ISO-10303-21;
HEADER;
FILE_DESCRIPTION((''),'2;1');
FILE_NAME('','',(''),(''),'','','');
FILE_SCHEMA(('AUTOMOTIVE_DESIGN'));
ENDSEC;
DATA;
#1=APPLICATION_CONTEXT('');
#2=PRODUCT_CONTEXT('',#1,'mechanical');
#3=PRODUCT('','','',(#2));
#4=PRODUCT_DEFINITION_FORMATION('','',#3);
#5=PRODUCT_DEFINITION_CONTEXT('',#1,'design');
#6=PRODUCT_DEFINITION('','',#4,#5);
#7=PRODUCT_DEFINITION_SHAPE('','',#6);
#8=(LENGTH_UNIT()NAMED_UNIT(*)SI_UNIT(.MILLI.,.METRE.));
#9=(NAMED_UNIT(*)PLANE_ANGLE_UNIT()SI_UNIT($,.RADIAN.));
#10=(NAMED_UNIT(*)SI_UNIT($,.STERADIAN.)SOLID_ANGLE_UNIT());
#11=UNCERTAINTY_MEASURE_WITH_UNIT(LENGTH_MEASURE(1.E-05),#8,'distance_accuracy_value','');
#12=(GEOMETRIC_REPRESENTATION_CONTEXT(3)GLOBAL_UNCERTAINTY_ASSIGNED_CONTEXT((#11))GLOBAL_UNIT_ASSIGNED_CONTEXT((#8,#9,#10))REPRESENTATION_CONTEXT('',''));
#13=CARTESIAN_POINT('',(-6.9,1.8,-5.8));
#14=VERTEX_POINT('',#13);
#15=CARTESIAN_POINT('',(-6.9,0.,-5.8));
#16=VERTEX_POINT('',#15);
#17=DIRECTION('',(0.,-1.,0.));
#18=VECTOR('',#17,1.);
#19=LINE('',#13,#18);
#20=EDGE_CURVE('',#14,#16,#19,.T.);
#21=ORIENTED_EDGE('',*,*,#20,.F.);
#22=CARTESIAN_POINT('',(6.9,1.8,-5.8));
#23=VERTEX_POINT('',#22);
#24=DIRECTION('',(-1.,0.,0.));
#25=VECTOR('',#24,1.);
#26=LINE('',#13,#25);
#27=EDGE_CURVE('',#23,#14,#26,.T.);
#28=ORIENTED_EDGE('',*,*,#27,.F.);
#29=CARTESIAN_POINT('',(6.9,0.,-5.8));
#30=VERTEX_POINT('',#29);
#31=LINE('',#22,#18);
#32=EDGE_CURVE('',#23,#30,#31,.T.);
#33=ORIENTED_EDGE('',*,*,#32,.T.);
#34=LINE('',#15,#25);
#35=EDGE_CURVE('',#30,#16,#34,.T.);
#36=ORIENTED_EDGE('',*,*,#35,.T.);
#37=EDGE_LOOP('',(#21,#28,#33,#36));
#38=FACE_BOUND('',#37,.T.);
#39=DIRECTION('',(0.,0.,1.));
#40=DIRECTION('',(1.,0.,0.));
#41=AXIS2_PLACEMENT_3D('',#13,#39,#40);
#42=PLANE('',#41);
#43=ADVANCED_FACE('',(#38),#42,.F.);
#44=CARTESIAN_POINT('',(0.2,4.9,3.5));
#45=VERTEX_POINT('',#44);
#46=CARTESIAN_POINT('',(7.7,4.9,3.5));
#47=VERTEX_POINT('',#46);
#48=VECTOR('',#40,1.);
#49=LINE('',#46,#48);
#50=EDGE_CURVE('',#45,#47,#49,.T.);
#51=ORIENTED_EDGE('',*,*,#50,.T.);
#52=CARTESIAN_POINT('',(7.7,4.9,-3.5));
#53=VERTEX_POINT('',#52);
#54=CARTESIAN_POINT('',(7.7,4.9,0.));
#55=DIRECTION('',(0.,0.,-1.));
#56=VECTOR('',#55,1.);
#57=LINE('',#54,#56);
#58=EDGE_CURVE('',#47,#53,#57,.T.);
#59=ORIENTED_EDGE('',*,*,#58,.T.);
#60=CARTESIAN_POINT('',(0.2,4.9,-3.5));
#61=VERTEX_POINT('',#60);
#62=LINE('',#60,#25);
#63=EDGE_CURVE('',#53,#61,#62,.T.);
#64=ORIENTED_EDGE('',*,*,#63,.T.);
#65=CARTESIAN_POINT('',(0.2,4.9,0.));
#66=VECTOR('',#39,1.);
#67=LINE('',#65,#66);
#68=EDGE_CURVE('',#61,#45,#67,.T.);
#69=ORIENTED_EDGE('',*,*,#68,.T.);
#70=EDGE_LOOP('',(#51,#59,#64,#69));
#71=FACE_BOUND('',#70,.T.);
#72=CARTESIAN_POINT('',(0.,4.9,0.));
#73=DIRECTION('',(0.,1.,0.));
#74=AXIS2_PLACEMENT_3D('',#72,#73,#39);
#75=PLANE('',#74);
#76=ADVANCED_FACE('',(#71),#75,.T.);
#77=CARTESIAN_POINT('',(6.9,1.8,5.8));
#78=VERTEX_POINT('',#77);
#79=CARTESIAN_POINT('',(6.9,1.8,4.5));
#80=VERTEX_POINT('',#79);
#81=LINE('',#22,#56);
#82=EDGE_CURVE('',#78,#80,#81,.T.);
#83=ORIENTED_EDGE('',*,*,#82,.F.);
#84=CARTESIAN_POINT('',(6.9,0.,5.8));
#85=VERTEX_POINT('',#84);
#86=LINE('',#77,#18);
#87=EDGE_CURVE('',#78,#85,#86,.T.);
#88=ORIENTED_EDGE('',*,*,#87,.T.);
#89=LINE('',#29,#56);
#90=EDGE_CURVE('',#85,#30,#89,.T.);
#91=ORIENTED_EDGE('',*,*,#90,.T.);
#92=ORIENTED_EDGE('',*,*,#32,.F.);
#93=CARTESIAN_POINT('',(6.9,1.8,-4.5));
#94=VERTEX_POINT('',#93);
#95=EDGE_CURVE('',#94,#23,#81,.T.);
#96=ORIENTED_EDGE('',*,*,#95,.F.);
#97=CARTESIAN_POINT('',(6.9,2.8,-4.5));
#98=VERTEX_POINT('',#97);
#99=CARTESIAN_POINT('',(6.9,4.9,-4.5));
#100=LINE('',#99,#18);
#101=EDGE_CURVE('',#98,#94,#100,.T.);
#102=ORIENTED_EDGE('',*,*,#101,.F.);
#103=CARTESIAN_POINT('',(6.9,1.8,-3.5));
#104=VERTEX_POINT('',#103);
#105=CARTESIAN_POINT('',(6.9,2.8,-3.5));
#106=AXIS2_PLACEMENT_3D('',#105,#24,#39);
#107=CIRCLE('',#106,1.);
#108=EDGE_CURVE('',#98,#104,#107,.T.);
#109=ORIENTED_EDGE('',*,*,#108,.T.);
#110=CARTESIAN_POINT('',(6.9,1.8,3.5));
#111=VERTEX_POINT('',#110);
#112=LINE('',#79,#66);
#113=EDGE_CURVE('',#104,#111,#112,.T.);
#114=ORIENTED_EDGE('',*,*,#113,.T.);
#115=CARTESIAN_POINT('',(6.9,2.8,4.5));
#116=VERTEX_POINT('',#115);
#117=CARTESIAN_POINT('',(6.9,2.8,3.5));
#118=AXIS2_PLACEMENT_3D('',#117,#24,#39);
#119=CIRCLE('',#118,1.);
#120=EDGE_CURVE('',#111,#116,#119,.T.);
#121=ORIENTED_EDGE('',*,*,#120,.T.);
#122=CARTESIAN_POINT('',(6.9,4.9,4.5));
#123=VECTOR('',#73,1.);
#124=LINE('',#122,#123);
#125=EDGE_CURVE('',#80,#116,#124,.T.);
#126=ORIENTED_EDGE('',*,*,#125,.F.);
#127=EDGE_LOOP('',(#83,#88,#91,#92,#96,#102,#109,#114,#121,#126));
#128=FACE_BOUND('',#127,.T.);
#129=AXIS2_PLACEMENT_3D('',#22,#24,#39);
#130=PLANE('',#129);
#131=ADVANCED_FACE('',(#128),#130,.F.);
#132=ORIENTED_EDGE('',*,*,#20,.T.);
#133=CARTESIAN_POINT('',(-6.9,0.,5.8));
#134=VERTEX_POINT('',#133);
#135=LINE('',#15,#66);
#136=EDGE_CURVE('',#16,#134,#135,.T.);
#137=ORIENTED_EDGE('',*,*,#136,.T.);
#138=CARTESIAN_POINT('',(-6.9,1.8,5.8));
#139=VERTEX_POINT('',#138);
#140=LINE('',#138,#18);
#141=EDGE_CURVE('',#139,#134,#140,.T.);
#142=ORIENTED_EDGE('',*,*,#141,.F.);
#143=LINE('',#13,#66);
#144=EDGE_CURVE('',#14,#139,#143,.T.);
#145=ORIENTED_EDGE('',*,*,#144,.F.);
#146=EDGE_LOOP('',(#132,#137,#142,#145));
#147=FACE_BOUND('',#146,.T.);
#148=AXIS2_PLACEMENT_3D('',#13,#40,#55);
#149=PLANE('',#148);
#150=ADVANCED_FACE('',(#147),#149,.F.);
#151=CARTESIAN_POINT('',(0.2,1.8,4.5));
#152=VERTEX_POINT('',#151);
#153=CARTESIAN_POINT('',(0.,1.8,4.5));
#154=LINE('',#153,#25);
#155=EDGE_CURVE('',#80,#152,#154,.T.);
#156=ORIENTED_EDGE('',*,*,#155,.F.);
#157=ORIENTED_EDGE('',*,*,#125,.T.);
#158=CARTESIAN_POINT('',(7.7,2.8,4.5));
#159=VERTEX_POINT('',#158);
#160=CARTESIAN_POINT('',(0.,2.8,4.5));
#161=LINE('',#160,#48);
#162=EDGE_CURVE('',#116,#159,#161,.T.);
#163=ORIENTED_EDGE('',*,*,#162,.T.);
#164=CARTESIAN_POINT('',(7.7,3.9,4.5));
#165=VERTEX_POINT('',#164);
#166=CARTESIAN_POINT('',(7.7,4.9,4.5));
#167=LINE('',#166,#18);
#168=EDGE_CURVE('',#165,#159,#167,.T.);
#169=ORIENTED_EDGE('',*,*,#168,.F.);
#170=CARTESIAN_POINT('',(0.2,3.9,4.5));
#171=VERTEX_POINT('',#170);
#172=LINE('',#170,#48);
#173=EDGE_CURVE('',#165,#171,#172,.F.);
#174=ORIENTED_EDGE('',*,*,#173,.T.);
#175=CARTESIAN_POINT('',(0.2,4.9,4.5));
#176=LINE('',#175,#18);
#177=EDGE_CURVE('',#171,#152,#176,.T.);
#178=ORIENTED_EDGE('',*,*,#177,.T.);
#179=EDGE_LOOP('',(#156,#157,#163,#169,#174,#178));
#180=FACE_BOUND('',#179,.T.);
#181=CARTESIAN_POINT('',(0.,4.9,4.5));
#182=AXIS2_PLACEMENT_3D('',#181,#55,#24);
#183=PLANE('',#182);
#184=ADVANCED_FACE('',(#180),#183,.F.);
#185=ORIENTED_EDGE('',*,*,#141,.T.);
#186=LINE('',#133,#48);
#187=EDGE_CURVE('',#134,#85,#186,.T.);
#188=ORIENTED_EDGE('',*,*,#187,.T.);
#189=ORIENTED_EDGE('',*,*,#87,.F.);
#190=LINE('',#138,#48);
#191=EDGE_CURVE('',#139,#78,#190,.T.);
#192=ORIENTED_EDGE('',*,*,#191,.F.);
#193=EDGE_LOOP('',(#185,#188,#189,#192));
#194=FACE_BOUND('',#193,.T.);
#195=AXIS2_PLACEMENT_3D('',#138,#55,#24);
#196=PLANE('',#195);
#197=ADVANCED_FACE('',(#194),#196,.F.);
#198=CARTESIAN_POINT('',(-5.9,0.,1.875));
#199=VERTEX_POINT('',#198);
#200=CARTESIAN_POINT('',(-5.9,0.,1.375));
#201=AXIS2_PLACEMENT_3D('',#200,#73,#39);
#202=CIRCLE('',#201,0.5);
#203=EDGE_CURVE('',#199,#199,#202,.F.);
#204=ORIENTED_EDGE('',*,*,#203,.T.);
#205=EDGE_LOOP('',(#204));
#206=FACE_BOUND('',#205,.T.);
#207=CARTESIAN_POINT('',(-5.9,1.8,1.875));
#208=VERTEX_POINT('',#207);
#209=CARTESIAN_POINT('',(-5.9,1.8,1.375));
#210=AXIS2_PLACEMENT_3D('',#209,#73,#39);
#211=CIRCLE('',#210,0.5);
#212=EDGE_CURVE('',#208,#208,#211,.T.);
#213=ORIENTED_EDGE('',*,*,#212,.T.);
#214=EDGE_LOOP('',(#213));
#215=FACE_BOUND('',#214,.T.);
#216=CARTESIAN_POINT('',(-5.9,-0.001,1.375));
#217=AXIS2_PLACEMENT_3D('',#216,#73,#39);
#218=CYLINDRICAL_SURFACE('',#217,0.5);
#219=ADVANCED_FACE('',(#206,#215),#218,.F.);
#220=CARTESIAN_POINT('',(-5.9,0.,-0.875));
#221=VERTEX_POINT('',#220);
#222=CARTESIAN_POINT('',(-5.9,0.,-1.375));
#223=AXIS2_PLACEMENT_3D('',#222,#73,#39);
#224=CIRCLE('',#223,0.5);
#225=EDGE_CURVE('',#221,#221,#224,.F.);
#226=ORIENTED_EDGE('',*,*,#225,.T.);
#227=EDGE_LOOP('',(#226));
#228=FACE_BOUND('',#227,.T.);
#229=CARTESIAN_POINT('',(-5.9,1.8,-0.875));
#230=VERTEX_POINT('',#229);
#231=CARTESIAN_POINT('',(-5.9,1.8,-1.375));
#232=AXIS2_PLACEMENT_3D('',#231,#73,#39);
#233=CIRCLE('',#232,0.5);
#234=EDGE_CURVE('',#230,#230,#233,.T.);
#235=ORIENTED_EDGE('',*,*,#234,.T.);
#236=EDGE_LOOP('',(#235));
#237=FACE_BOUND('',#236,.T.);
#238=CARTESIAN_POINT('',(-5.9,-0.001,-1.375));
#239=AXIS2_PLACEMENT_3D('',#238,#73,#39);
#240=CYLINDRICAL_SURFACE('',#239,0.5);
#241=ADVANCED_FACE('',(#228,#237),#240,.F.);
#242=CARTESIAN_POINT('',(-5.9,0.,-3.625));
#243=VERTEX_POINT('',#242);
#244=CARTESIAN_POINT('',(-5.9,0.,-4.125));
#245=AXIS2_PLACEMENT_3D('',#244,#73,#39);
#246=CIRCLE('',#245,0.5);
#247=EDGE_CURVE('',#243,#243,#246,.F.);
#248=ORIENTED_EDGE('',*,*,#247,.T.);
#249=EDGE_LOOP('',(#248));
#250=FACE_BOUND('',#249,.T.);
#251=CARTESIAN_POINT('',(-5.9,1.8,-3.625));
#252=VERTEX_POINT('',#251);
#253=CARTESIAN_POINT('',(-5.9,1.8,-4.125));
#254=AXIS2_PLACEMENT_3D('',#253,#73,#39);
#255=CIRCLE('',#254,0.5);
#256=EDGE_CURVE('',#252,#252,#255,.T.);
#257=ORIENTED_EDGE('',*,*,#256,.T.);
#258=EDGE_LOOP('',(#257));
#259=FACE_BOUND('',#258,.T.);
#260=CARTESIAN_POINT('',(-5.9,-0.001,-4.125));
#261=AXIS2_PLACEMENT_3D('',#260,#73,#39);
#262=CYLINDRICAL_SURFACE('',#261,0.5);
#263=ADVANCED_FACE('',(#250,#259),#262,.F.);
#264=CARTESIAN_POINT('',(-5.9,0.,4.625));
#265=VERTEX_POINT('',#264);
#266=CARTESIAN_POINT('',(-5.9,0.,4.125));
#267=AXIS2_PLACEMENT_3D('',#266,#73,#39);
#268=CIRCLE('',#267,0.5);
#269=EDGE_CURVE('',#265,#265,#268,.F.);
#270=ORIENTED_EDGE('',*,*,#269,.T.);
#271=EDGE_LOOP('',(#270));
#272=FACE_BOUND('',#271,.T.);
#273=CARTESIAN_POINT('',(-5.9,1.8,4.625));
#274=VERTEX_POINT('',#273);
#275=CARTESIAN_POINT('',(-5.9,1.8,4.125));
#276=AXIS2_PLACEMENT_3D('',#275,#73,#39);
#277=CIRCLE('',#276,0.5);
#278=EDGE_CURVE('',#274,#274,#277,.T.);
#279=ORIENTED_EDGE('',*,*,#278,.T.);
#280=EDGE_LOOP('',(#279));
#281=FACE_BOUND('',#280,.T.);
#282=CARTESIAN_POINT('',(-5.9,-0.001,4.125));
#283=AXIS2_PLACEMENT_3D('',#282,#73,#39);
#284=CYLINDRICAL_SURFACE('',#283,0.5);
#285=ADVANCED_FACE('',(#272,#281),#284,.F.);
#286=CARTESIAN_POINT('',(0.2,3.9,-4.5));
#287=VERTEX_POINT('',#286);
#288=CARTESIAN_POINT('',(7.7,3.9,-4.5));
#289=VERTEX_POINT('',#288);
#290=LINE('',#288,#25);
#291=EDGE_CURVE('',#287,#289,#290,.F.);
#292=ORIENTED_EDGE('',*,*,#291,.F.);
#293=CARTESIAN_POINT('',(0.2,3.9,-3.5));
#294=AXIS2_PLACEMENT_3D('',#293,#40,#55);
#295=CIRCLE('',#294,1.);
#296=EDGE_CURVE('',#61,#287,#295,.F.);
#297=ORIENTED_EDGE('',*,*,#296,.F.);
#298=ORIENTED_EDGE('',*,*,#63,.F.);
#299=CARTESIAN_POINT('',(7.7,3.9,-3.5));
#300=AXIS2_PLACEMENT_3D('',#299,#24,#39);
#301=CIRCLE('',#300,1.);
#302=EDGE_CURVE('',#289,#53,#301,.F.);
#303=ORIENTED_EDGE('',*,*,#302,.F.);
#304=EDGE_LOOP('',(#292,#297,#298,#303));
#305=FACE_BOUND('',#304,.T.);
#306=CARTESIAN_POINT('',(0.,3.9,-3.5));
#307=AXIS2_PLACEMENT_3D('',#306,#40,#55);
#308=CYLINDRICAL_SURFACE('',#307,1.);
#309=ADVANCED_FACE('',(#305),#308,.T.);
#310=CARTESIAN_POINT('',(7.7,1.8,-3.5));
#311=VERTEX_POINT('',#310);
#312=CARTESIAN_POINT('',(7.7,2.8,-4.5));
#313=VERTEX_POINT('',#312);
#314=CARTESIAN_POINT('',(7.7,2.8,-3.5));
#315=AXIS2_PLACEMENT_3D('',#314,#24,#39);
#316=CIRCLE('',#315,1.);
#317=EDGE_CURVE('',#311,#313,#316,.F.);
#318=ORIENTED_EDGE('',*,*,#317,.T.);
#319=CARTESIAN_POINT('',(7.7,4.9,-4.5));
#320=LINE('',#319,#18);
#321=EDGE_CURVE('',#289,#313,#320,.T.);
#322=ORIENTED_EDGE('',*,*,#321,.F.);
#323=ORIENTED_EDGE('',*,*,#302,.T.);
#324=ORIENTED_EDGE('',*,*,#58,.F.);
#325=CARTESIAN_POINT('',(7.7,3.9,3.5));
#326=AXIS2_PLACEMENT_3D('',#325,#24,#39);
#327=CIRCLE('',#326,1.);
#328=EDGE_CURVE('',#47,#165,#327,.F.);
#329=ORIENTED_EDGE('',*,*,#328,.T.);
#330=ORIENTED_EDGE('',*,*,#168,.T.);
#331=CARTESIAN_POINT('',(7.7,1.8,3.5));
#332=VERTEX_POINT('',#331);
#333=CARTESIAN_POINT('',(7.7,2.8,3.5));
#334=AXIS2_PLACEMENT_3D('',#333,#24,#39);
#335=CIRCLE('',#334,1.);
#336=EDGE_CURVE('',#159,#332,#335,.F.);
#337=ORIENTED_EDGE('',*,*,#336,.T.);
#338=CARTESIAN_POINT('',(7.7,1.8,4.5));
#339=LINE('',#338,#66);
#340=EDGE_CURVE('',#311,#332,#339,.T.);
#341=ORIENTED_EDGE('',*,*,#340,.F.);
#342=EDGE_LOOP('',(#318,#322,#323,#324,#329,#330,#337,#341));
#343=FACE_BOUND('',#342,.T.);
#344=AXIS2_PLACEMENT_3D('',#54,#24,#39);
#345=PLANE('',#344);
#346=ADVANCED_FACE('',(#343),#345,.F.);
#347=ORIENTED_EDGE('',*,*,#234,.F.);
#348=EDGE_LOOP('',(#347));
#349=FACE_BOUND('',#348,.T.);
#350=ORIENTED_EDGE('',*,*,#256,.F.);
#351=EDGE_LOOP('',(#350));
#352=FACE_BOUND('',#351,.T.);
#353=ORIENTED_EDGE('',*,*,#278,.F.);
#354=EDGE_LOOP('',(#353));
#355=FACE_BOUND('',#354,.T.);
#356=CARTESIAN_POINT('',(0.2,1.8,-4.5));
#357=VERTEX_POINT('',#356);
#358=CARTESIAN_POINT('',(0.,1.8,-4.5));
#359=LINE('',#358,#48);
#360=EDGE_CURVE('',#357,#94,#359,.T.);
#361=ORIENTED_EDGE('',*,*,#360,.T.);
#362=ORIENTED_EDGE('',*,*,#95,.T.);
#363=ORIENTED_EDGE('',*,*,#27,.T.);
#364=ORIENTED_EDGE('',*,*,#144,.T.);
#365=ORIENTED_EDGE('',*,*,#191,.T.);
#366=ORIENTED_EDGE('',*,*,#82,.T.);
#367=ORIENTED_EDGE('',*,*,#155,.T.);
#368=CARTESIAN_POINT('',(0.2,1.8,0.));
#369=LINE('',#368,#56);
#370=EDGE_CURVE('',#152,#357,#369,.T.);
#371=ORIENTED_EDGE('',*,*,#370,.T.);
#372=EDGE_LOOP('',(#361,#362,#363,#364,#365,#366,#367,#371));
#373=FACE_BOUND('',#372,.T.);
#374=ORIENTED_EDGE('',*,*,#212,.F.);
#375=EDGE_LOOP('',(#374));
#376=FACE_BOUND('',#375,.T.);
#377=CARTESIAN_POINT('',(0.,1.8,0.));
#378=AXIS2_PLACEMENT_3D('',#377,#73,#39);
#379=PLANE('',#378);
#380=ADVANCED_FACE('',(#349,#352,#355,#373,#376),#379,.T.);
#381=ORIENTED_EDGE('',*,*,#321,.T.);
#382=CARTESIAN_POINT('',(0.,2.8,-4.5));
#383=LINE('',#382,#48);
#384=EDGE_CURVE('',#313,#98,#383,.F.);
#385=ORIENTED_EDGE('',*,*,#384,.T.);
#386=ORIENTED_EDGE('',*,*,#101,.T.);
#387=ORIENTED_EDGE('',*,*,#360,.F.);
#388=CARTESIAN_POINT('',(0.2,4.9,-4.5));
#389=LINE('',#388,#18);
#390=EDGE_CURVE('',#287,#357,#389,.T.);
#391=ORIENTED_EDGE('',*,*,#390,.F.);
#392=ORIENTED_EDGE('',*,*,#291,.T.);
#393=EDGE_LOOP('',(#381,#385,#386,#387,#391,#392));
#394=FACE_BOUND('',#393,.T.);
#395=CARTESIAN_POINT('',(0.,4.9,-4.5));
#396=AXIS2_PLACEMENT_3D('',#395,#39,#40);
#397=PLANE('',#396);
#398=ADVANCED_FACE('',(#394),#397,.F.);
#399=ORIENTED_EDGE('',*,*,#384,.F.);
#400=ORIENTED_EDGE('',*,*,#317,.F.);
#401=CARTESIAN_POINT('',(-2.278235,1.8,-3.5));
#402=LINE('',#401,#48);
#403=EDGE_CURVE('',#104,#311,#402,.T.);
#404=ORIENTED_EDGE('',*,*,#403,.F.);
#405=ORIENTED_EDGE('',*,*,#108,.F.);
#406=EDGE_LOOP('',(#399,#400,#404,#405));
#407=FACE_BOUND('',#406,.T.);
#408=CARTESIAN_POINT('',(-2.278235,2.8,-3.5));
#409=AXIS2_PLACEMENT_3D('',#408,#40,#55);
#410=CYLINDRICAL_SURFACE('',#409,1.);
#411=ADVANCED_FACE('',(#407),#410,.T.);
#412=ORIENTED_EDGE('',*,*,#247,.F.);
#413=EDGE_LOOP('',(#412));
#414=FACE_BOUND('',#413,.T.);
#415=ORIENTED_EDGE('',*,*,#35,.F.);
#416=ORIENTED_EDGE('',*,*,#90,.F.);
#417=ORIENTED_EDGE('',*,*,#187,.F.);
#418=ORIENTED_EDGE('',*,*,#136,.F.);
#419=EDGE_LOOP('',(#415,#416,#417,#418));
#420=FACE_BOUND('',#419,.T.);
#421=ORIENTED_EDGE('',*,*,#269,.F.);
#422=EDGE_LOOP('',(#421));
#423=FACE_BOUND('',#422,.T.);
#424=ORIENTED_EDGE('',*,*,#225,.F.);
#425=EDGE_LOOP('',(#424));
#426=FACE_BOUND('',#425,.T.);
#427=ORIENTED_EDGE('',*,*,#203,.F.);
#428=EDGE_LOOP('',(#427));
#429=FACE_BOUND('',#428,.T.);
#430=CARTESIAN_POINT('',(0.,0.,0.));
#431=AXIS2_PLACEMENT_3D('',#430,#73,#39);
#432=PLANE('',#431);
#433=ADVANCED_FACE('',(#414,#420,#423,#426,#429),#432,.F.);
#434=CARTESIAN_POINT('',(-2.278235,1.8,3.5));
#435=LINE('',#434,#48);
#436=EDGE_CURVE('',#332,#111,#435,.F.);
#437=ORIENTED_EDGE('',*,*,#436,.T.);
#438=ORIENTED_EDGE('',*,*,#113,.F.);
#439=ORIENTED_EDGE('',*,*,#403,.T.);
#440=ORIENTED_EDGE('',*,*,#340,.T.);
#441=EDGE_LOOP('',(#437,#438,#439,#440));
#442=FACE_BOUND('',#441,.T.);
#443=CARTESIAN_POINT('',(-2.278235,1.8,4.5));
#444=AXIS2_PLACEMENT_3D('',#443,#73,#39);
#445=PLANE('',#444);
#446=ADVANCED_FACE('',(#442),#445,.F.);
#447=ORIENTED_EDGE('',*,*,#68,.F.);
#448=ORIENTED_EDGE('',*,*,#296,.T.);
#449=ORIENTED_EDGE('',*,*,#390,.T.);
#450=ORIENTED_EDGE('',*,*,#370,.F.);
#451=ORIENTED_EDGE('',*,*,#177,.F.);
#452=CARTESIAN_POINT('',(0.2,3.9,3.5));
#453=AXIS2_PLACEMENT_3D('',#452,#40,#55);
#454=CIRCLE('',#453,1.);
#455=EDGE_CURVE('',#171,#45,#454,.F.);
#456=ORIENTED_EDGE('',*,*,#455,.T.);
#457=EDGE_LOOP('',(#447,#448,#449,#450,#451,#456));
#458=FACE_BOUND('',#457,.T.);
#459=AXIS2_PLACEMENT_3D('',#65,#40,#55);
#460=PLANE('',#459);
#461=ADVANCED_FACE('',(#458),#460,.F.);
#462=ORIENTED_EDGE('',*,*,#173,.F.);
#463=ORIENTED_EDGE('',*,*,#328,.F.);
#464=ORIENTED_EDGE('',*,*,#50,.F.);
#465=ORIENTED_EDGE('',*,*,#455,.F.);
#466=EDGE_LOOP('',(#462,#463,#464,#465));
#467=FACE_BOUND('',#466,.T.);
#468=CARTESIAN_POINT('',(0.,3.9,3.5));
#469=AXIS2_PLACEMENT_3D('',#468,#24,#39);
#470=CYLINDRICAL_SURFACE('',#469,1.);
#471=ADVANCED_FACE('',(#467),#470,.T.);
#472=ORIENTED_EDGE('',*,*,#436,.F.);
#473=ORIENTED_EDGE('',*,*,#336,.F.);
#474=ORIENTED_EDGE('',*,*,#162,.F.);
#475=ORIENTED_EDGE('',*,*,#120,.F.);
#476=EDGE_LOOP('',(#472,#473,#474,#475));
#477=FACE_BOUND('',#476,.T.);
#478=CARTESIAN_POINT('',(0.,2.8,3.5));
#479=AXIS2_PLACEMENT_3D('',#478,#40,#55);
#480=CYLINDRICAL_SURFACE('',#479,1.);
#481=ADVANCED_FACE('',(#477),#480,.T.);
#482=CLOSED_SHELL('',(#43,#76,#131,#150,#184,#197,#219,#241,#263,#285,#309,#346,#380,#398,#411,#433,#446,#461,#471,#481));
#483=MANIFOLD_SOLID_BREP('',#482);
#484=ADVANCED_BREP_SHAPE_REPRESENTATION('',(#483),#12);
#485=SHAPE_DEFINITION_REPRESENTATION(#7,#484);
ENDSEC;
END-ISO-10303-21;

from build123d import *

# Parameters (mm, degrees)
SKETCH_1_W          = 13.8
SKETCH_1_H          = 11.6
EXTRUDE_1_DEPTH     = 1.8
EXTRUDE_START       = -1.8
SKETCH_4_W          = 7.5
SKETCH_4_H          = 9
EXTRUDE_2_DEPTH     = 4.9
SKETCH_5_W          = 9
SKETCH_5_H          = 1.8
CUT_EXTRUDE_1_DEPTH = 0.8
FILLET_1_R          = 1
CUT_EXTRUDE_2_REACH = 12.126
SKETCH_6_R          = 0.5


with BuildPart() as part:
    # 草图1 → 凸台-拉伸1 (new body)
    with BuildSketch(Plane(origin=(0, 0, 0), x_dir=(1, 0, 0), z_dir=(0, 1, 0))):
        Rectangle(SKETCH_1_W, SKETCH_1_H)
    extrude(amount=EXTRUDE_1_DEPTH)

    # 草图4 → 凸台-拉伸2 (add)
    with BuildSketch(Plane(origin=(0, 1.8, 0), x_dir=(1, 0, 0), z_dir=(0, 1, 0)).offset(EXTRUDE_START)):
        with Locations((3.95, 0)):
            Rectangle(SKETCH_4_W, SKETCH_4_H)
    extrude(amount=EXTRUDE_2_DEPTH)

    # 草图5 → 切除-拉伸1 (cut)
    with BuildSketch(Plane(origin=(7.7, 0, 0), x_dir=(0, 0, -1), z_dir=(1, 0, 0))):
        with Locations((0, 0.9)):
            Rectangle(SKETCH_5_W, SKETCH_5_H)
    extrude(amount=-CUT_EXTRUDE_1_DEPTH, mode=Mode.SUBTRACT)

    # 圆角1
    fillet_1_edges = [part.edges().sort_by_distance(p)[0] for p in [
        (3.95, 4.9, 4.5),
        (3.95, 4.9, -4.5),
        (7.3, 1.8, -4.5),
        (7.3, 1.8, 4.5),
    ]]
    fillet(fillet_1_edges, radius=FILLET_1_R)

    # 草图6 → 切除-拉伸2 (cut, up to next)
    with BuildSketch(Plane(origin=(0, 1.8, 0), x_dir=(1, 0, 0), z_dir=(0, 1, 0)), mode=Mode.PRIVATE) as cut_extrude_2_sk1:
        with Locations(Location((-5.9, 4.125, 0), (0, 0, 270))):
            Circle(SKETCH_6_R)
    cut_extrude_2_tool1 = extrude(cut_extrude_2_sk1.sketch, amount=-CUT_EXTRUDE_2_REACH, mode=Mode.PRIVATE) & part.part
    # 草图6 → 切除-拉伸2 (cut, up to next)
    with BuildSketch(Plane(origin=(0, 1.8, 0), x_dir=(1, 0, 0), z_dir=(0, 1, 0)), mode=Mode.PRIVATE) as cut_extrude_2_sk2:
        with Locations(Location((-5.9, 1.375, 0), (0, 0, 270))):
            Circle(SKETCH_6_R)
    cut_extrude_2_tool2 = extrude(cut_extrude_2_sk2.sketch, amount=-CUT_EXTRUDE_2_REACH, mode=Mode.PRIVATE) & part.part
    # 草图6 → 切除-拉伸2 (cut, up to next)
    with BuildSketch(Plane(origin=(0, 1.8, 0), x_dir=(1, 0, 0), z_dir=(0, 1, 0)), mode=Mode.PRIVATE) as cut_extrude_2_sk3:
        with Locations(Location((-5.9, -1.375, 0), (0, 0, 270))):
            Circle(SKETCH_6_R)
    cut_extrude_2_tool3 = extrude(cut_extrude_2_sk3.sketch, amount=-CUT_EXTRUDE_2_REACH, mode=Mode.PRIVATE) & part.part
    # 草图6 → 切除-拉伸2 (cut, up to next)
    with BuildSketch(Plane(origin=(0, 1.8, 0), x_dir=(1, 0, 0), z_dir=(0, 1, 0)), mode=Mode.PRIVATE) as cut_extrude_2_sk4:
        with Locations(Location((-5.9, -4.125, 0), (0, 0, 270))):
            Circle(SKETCH_6_R)
    cut_extrude_2_tool4 = extrude(cut_extrude_2_sk4.sketch, amount=-CUT_EXTRUDE_2_REACH, mode=Mode.PRIVATE) & part.part
    add(cut_extrude_2_tool1.solids().sort_by_distance((-5.9, 1.8, -4.125))[0], mode=Mode.SUBTRACT)
    add(cut_extrude_2_tool2.solids().sort_by_distance((-5.9, 1.8, -1.375))[0], mode=Mode.SUBTRACT)
    add(cut_extrude_2_tool3.solids().sort_by_distance((-5.9, 1.8, 1.375))[0], mode=Mode.SUBTRACT)
    add(cut_extrude_2_tool4.solids().sort_by_distance((-5.9, 1.8, 4.125))[0], mode=Mode.SUBTRACT)


solid = part.part
